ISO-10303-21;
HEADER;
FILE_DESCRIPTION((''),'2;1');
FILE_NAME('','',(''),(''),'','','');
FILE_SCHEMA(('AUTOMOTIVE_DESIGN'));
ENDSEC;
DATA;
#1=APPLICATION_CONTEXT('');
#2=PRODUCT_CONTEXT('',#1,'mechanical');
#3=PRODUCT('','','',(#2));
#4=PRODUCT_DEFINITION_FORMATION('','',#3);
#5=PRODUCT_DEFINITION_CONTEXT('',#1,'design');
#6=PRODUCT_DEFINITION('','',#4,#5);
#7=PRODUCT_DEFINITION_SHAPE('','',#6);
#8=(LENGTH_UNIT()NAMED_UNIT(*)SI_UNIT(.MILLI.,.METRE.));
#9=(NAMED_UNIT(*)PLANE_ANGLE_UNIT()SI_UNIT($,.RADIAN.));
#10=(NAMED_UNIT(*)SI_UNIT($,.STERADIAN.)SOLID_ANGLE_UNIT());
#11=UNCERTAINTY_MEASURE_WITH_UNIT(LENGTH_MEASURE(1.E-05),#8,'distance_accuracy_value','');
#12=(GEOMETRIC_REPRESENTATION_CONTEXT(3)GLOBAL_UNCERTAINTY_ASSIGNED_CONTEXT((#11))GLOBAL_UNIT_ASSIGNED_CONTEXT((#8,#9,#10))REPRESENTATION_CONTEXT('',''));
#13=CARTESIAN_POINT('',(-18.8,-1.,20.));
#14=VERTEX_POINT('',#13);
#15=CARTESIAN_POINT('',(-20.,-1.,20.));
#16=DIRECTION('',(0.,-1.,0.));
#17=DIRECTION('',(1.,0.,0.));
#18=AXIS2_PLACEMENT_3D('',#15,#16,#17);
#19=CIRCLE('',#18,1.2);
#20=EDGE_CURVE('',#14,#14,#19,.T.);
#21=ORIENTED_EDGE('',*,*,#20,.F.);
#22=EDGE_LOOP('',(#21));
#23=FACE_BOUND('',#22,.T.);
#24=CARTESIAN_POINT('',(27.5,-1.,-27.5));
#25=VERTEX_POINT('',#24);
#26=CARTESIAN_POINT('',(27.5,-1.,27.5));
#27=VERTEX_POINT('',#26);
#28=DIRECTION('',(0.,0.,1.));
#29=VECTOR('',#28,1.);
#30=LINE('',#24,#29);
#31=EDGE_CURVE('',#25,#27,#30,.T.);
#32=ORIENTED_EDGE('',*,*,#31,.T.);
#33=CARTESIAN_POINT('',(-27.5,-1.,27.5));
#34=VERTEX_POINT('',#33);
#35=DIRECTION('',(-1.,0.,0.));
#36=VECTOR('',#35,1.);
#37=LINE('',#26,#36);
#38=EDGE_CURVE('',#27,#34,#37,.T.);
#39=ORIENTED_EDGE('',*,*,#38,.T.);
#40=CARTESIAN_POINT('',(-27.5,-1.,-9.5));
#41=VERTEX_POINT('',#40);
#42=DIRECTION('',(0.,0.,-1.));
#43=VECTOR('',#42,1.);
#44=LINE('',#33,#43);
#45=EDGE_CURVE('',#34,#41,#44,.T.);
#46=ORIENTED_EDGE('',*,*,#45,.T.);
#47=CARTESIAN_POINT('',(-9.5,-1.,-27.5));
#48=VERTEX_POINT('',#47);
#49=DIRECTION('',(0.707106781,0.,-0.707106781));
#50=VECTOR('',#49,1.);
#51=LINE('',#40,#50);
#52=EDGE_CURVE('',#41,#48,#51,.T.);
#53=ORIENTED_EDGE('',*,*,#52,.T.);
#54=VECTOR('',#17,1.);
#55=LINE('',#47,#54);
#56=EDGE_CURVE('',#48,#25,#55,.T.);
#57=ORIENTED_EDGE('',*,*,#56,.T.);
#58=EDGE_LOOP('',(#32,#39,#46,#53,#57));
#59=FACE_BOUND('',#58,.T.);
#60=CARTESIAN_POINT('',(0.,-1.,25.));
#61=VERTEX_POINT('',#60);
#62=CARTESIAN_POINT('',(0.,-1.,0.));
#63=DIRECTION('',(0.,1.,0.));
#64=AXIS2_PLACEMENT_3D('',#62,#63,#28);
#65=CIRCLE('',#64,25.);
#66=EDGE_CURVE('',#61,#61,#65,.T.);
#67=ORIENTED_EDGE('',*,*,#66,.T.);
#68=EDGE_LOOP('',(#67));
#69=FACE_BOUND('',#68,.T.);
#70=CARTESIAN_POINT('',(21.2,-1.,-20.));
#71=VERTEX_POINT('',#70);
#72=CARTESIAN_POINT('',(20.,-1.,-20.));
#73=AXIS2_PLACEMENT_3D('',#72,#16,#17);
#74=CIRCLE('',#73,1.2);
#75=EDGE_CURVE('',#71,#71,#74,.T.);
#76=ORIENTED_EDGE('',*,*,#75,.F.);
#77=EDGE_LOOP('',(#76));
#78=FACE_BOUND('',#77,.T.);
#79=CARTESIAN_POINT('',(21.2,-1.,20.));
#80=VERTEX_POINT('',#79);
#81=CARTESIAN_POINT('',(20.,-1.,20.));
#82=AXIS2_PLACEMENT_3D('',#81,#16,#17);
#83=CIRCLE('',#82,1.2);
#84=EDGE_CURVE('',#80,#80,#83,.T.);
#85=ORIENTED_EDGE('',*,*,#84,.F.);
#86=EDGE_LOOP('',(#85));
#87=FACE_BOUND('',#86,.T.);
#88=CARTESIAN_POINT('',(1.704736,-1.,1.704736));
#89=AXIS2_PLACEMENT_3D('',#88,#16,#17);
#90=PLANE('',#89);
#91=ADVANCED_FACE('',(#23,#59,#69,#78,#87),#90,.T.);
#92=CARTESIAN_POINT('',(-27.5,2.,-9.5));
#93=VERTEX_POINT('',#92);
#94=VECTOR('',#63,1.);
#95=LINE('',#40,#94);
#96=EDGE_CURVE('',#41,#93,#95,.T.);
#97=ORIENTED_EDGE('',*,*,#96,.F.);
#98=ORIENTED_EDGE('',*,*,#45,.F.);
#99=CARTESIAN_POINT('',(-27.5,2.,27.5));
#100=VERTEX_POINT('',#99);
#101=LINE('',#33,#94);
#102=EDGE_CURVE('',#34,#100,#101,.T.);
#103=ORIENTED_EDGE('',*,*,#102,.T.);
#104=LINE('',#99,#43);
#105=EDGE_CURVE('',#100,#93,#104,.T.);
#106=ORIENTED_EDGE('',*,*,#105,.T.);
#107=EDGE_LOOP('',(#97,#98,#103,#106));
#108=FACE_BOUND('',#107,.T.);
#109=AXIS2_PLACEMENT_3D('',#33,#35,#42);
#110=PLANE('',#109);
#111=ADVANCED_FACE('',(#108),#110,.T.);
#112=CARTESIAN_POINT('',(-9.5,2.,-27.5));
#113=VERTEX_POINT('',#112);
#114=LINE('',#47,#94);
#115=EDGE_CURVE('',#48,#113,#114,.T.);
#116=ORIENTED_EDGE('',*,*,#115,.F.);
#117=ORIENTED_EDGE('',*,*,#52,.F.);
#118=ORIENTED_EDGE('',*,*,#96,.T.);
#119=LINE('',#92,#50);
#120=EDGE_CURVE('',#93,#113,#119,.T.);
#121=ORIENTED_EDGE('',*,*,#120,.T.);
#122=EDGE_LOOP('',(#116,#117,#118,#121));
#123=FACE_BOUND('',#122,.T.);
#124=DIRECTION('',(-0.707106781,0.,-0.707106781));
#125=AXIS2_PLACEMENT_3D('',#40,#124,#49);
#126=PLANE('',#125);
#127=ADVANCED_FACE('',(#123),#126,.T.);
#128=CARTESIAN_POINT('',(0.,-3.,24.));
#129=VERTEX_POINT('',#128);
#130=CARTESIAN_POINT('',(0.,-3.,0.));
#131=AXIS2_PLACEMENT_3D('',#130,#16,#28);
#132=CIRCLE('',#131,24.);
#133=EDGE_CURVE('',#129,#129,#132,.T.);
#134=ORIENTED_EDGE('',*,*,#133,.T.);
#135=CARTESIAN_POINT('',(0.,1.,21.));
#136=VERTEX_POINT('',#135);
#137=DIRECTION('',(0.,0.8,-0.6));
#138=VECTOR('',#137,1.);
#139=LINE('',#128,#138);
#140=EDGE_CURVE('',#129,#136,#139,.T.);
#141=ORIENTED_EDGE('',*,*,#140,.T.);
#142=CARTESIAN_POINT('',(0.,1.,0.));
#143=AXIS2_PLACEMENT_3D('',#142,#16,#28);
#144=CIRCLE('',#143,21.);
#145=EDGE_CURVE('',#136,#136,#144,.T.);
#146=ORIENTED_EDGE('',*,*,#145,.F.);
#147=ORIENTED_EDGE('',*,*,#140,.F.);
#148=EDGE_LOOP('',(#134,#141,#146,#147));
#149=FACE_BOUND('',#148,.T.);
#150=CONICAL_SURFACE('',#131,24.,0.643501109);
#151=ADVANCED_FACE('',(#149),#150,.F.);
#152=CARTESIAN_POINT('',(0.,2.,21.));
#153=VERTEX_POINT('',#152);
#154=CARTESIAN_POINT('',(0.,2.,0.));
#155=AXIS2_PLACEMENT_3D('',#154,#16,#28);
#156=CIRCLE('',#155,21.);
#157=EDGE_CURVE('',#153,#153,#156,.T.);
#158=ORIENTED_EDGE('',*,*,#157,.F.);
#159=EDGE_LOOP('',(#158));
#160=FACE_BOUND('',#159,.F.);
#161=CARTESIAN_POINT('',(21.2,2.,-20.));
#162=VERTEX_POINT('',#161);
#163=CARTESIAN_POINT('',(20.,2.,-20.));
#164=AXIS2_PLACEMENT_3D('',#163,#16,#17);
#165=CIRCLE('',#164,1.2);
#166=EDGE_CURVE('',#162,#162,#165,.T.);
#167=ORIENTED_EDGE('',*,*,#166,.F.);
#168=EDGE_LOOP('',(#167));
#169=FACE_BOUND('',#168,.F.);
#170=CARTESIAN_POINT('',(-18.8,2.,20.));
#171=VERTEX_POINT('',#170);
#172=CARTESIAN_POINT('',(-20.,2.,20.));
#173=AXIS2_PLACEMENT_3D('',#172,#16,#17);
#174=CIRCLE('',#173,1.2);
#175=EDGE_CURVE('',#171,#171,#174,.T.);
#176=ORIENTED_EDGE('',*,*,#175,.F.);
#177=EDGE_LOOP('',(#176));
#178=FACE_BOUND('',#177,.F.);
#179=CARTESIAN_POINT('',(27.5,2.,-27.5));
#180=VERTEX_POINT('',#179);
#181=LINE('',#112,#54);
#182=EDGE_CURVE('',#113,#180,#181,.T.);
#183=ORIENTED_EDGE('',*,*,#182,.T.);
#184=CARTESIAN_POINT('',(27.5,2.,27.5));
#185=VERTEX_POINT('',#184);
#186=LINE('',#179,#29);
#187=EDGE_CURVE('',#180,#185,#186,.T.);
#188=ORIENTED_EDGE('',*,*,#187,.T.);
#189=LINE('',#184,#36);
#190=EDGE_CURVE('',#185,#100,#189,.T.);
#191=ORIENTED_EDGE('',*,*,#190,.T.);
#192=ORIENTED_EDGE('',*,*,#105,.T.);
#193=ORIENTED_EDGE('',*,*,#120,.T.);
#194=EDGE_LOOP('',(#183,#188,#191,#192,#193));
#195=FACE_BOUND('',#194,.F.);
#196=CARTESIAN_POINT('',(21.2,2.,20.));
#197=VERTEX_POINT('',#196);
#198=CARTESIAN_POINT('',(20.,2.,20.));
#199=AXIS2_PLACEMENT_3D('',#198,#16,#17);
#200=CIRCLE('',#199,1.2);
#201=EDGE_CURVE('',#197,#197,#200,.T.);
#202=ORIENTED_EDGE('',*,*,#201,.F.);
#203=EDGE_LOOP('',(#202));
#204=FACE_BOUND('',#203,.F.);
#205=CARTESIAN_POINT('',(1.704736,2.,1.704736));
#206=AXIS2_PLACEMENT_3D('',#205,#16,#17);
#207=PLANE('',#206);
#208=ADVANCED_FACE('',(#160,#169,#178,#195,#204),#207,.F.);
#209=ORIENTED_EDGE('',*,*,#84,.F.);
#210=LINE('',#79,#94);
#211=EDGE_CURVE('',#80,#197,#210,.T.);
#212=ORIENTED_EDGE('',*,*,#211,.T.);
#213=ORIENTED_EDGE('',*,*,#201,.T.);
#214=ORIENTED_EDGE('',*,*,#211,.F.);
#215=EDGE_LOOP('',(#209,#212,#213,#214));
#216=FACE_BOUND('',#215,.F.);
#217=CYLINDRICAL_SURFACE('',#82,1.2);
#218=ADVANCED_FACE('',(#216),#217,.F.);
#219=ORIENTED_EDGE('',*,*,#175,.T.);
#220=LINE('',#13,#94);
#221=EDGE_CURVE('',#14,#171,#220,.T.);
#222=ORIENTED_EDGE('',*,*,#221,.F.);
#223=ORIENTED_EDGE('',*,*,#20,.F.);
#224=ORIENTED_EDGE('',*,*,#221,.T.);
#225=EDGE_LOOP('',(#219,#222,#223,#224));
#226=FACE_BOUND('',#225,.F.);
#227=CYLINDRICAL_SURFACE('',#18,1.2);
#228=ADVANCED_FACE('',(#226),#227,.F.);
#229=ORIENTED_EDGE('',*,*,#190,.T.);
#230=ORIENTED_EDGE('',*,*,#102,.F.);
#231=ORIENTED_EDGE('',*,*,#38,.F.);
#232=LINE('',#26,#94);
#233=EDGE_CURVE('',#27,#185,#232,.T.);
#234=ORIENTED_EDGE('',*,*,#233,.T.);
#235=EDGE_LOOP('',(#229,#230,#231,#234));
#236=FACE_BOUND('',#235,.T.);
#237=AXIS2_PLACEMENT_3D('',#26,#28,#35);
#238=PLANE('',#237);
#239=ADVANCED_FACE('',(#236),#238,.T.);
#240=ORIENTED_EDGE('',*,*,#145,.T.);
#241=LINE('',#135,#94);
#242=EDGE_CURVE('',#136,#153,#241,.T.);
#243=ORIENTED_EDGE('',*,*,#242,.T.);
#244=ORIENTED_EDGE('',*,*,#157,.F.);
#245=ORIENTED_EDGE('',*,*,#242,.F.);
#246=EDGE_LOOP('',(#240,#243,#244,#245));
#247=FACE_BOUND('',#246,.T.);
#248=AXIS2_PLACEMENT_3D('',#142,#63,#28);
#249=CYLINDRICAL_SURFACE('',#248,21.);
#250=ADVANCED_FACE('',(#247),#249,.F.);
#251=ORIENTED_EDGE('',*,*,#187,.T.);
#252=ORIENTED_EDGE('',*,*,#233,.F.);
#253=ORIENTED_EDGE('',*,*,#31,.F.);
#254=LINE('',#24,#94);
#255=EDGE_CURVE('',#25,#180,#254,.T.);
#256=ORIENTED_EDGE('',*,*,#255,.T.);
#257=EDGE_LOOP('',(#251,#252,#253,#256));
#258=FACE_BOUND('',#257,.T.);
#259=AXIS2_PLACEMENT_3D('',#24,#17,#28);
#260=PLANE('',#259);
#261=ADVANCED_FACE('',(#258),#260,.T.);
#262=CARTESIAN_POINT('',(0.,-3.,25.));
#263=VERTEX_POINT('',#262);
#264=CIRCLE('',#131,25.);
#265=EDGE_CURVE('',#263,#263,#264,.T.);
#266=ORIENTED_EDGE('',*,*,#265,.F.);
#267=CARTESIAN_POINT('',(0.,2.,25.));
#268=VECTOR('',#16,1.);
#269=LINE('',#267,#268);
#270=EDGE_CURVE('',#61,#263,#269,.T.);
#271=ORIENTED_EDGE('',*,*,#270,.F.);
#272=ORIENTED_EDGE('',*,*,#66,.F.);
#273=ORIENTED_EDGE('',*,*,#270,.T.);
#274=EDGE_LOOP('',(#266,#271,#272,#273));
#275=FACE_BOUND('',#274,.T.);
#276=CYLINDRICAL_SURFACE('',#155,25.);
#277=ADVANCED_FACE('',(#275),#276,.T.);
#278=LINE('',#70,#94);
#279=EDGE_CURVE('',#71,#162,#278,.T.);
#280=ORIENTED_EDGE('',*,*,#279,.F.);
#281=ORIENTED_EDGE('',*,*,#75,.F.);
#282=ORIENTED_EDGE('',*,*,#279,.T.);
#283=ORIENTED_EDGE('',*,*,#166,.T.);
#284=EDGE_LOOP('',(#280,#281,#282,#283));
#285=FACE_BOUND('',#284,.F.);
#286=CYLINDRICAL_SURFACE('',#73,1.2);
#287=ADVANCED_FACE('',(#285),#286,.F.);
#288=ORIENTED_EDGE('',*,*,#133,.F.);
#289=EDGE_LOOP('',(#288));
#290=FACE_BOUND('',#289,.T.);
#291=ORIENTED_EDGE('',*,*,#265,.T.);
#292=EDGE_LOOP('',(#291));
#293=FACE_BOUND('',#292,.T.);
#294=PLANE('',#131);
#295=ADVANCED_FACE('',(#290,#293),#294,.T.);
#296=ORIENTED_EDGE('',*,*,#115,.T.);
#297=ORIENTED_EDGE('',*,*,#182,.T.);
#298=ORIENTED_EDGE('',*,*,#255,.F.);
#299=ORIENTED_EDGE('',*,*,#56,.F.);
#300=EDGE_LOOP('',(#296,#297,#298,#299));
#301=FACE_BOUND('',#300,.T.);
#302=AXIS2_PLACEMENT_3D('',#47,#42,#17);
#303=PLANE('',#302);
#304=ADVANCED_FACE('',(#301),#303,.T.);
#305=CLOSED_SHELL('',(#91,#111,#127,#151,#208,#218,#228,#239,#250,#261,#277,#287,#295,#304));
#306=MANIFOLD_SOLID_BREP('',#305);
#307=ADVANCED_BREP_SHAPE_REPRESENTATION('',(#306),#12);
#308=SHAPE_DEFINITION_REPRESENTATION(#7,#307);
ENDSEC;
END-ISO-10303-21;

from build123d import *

# Parameters (mm, degrees)
F3_R     = 1.2
F3_R_2   = 25
F4_DEPTH = 3


with BuildPart() as f1:
    # F0 (on Right) → F1 (revolve)
    with BuildSketch(Plane.YZ):
        Polygon((2, 25), (-3, 25), (-3, 24), (1, 21), (2, 21), align=None)
    revolve(axis=Axis((0, 1.602868, 0), (0, -1, 0)))

    # F3 (on offset) → F4 (join)
    with BuildSketch(Plane.XZ.offset(1)):
        Polygon((-9.5, -27.5), (27.5, -27.5), (27.5, 27.5), (-27.5, 27.5), (-27.5, -9.5), align=None)
        with Locations((20, -20)):
            Circle(F3_R, mode=Mode.SUBTRACT)
        with Locations((-20, 20)):
            Circle(F3_R, mode=Mode.SUBTRACT)
        Circle(F3_R_2, mode=Mode.SUBTRACT)
        with Locations((20, 20)):
            Circle(F3_R, mode=Mode.SUBTRACT)
    extrude(amount=-F4_DEPTH)


solid = f1.part
